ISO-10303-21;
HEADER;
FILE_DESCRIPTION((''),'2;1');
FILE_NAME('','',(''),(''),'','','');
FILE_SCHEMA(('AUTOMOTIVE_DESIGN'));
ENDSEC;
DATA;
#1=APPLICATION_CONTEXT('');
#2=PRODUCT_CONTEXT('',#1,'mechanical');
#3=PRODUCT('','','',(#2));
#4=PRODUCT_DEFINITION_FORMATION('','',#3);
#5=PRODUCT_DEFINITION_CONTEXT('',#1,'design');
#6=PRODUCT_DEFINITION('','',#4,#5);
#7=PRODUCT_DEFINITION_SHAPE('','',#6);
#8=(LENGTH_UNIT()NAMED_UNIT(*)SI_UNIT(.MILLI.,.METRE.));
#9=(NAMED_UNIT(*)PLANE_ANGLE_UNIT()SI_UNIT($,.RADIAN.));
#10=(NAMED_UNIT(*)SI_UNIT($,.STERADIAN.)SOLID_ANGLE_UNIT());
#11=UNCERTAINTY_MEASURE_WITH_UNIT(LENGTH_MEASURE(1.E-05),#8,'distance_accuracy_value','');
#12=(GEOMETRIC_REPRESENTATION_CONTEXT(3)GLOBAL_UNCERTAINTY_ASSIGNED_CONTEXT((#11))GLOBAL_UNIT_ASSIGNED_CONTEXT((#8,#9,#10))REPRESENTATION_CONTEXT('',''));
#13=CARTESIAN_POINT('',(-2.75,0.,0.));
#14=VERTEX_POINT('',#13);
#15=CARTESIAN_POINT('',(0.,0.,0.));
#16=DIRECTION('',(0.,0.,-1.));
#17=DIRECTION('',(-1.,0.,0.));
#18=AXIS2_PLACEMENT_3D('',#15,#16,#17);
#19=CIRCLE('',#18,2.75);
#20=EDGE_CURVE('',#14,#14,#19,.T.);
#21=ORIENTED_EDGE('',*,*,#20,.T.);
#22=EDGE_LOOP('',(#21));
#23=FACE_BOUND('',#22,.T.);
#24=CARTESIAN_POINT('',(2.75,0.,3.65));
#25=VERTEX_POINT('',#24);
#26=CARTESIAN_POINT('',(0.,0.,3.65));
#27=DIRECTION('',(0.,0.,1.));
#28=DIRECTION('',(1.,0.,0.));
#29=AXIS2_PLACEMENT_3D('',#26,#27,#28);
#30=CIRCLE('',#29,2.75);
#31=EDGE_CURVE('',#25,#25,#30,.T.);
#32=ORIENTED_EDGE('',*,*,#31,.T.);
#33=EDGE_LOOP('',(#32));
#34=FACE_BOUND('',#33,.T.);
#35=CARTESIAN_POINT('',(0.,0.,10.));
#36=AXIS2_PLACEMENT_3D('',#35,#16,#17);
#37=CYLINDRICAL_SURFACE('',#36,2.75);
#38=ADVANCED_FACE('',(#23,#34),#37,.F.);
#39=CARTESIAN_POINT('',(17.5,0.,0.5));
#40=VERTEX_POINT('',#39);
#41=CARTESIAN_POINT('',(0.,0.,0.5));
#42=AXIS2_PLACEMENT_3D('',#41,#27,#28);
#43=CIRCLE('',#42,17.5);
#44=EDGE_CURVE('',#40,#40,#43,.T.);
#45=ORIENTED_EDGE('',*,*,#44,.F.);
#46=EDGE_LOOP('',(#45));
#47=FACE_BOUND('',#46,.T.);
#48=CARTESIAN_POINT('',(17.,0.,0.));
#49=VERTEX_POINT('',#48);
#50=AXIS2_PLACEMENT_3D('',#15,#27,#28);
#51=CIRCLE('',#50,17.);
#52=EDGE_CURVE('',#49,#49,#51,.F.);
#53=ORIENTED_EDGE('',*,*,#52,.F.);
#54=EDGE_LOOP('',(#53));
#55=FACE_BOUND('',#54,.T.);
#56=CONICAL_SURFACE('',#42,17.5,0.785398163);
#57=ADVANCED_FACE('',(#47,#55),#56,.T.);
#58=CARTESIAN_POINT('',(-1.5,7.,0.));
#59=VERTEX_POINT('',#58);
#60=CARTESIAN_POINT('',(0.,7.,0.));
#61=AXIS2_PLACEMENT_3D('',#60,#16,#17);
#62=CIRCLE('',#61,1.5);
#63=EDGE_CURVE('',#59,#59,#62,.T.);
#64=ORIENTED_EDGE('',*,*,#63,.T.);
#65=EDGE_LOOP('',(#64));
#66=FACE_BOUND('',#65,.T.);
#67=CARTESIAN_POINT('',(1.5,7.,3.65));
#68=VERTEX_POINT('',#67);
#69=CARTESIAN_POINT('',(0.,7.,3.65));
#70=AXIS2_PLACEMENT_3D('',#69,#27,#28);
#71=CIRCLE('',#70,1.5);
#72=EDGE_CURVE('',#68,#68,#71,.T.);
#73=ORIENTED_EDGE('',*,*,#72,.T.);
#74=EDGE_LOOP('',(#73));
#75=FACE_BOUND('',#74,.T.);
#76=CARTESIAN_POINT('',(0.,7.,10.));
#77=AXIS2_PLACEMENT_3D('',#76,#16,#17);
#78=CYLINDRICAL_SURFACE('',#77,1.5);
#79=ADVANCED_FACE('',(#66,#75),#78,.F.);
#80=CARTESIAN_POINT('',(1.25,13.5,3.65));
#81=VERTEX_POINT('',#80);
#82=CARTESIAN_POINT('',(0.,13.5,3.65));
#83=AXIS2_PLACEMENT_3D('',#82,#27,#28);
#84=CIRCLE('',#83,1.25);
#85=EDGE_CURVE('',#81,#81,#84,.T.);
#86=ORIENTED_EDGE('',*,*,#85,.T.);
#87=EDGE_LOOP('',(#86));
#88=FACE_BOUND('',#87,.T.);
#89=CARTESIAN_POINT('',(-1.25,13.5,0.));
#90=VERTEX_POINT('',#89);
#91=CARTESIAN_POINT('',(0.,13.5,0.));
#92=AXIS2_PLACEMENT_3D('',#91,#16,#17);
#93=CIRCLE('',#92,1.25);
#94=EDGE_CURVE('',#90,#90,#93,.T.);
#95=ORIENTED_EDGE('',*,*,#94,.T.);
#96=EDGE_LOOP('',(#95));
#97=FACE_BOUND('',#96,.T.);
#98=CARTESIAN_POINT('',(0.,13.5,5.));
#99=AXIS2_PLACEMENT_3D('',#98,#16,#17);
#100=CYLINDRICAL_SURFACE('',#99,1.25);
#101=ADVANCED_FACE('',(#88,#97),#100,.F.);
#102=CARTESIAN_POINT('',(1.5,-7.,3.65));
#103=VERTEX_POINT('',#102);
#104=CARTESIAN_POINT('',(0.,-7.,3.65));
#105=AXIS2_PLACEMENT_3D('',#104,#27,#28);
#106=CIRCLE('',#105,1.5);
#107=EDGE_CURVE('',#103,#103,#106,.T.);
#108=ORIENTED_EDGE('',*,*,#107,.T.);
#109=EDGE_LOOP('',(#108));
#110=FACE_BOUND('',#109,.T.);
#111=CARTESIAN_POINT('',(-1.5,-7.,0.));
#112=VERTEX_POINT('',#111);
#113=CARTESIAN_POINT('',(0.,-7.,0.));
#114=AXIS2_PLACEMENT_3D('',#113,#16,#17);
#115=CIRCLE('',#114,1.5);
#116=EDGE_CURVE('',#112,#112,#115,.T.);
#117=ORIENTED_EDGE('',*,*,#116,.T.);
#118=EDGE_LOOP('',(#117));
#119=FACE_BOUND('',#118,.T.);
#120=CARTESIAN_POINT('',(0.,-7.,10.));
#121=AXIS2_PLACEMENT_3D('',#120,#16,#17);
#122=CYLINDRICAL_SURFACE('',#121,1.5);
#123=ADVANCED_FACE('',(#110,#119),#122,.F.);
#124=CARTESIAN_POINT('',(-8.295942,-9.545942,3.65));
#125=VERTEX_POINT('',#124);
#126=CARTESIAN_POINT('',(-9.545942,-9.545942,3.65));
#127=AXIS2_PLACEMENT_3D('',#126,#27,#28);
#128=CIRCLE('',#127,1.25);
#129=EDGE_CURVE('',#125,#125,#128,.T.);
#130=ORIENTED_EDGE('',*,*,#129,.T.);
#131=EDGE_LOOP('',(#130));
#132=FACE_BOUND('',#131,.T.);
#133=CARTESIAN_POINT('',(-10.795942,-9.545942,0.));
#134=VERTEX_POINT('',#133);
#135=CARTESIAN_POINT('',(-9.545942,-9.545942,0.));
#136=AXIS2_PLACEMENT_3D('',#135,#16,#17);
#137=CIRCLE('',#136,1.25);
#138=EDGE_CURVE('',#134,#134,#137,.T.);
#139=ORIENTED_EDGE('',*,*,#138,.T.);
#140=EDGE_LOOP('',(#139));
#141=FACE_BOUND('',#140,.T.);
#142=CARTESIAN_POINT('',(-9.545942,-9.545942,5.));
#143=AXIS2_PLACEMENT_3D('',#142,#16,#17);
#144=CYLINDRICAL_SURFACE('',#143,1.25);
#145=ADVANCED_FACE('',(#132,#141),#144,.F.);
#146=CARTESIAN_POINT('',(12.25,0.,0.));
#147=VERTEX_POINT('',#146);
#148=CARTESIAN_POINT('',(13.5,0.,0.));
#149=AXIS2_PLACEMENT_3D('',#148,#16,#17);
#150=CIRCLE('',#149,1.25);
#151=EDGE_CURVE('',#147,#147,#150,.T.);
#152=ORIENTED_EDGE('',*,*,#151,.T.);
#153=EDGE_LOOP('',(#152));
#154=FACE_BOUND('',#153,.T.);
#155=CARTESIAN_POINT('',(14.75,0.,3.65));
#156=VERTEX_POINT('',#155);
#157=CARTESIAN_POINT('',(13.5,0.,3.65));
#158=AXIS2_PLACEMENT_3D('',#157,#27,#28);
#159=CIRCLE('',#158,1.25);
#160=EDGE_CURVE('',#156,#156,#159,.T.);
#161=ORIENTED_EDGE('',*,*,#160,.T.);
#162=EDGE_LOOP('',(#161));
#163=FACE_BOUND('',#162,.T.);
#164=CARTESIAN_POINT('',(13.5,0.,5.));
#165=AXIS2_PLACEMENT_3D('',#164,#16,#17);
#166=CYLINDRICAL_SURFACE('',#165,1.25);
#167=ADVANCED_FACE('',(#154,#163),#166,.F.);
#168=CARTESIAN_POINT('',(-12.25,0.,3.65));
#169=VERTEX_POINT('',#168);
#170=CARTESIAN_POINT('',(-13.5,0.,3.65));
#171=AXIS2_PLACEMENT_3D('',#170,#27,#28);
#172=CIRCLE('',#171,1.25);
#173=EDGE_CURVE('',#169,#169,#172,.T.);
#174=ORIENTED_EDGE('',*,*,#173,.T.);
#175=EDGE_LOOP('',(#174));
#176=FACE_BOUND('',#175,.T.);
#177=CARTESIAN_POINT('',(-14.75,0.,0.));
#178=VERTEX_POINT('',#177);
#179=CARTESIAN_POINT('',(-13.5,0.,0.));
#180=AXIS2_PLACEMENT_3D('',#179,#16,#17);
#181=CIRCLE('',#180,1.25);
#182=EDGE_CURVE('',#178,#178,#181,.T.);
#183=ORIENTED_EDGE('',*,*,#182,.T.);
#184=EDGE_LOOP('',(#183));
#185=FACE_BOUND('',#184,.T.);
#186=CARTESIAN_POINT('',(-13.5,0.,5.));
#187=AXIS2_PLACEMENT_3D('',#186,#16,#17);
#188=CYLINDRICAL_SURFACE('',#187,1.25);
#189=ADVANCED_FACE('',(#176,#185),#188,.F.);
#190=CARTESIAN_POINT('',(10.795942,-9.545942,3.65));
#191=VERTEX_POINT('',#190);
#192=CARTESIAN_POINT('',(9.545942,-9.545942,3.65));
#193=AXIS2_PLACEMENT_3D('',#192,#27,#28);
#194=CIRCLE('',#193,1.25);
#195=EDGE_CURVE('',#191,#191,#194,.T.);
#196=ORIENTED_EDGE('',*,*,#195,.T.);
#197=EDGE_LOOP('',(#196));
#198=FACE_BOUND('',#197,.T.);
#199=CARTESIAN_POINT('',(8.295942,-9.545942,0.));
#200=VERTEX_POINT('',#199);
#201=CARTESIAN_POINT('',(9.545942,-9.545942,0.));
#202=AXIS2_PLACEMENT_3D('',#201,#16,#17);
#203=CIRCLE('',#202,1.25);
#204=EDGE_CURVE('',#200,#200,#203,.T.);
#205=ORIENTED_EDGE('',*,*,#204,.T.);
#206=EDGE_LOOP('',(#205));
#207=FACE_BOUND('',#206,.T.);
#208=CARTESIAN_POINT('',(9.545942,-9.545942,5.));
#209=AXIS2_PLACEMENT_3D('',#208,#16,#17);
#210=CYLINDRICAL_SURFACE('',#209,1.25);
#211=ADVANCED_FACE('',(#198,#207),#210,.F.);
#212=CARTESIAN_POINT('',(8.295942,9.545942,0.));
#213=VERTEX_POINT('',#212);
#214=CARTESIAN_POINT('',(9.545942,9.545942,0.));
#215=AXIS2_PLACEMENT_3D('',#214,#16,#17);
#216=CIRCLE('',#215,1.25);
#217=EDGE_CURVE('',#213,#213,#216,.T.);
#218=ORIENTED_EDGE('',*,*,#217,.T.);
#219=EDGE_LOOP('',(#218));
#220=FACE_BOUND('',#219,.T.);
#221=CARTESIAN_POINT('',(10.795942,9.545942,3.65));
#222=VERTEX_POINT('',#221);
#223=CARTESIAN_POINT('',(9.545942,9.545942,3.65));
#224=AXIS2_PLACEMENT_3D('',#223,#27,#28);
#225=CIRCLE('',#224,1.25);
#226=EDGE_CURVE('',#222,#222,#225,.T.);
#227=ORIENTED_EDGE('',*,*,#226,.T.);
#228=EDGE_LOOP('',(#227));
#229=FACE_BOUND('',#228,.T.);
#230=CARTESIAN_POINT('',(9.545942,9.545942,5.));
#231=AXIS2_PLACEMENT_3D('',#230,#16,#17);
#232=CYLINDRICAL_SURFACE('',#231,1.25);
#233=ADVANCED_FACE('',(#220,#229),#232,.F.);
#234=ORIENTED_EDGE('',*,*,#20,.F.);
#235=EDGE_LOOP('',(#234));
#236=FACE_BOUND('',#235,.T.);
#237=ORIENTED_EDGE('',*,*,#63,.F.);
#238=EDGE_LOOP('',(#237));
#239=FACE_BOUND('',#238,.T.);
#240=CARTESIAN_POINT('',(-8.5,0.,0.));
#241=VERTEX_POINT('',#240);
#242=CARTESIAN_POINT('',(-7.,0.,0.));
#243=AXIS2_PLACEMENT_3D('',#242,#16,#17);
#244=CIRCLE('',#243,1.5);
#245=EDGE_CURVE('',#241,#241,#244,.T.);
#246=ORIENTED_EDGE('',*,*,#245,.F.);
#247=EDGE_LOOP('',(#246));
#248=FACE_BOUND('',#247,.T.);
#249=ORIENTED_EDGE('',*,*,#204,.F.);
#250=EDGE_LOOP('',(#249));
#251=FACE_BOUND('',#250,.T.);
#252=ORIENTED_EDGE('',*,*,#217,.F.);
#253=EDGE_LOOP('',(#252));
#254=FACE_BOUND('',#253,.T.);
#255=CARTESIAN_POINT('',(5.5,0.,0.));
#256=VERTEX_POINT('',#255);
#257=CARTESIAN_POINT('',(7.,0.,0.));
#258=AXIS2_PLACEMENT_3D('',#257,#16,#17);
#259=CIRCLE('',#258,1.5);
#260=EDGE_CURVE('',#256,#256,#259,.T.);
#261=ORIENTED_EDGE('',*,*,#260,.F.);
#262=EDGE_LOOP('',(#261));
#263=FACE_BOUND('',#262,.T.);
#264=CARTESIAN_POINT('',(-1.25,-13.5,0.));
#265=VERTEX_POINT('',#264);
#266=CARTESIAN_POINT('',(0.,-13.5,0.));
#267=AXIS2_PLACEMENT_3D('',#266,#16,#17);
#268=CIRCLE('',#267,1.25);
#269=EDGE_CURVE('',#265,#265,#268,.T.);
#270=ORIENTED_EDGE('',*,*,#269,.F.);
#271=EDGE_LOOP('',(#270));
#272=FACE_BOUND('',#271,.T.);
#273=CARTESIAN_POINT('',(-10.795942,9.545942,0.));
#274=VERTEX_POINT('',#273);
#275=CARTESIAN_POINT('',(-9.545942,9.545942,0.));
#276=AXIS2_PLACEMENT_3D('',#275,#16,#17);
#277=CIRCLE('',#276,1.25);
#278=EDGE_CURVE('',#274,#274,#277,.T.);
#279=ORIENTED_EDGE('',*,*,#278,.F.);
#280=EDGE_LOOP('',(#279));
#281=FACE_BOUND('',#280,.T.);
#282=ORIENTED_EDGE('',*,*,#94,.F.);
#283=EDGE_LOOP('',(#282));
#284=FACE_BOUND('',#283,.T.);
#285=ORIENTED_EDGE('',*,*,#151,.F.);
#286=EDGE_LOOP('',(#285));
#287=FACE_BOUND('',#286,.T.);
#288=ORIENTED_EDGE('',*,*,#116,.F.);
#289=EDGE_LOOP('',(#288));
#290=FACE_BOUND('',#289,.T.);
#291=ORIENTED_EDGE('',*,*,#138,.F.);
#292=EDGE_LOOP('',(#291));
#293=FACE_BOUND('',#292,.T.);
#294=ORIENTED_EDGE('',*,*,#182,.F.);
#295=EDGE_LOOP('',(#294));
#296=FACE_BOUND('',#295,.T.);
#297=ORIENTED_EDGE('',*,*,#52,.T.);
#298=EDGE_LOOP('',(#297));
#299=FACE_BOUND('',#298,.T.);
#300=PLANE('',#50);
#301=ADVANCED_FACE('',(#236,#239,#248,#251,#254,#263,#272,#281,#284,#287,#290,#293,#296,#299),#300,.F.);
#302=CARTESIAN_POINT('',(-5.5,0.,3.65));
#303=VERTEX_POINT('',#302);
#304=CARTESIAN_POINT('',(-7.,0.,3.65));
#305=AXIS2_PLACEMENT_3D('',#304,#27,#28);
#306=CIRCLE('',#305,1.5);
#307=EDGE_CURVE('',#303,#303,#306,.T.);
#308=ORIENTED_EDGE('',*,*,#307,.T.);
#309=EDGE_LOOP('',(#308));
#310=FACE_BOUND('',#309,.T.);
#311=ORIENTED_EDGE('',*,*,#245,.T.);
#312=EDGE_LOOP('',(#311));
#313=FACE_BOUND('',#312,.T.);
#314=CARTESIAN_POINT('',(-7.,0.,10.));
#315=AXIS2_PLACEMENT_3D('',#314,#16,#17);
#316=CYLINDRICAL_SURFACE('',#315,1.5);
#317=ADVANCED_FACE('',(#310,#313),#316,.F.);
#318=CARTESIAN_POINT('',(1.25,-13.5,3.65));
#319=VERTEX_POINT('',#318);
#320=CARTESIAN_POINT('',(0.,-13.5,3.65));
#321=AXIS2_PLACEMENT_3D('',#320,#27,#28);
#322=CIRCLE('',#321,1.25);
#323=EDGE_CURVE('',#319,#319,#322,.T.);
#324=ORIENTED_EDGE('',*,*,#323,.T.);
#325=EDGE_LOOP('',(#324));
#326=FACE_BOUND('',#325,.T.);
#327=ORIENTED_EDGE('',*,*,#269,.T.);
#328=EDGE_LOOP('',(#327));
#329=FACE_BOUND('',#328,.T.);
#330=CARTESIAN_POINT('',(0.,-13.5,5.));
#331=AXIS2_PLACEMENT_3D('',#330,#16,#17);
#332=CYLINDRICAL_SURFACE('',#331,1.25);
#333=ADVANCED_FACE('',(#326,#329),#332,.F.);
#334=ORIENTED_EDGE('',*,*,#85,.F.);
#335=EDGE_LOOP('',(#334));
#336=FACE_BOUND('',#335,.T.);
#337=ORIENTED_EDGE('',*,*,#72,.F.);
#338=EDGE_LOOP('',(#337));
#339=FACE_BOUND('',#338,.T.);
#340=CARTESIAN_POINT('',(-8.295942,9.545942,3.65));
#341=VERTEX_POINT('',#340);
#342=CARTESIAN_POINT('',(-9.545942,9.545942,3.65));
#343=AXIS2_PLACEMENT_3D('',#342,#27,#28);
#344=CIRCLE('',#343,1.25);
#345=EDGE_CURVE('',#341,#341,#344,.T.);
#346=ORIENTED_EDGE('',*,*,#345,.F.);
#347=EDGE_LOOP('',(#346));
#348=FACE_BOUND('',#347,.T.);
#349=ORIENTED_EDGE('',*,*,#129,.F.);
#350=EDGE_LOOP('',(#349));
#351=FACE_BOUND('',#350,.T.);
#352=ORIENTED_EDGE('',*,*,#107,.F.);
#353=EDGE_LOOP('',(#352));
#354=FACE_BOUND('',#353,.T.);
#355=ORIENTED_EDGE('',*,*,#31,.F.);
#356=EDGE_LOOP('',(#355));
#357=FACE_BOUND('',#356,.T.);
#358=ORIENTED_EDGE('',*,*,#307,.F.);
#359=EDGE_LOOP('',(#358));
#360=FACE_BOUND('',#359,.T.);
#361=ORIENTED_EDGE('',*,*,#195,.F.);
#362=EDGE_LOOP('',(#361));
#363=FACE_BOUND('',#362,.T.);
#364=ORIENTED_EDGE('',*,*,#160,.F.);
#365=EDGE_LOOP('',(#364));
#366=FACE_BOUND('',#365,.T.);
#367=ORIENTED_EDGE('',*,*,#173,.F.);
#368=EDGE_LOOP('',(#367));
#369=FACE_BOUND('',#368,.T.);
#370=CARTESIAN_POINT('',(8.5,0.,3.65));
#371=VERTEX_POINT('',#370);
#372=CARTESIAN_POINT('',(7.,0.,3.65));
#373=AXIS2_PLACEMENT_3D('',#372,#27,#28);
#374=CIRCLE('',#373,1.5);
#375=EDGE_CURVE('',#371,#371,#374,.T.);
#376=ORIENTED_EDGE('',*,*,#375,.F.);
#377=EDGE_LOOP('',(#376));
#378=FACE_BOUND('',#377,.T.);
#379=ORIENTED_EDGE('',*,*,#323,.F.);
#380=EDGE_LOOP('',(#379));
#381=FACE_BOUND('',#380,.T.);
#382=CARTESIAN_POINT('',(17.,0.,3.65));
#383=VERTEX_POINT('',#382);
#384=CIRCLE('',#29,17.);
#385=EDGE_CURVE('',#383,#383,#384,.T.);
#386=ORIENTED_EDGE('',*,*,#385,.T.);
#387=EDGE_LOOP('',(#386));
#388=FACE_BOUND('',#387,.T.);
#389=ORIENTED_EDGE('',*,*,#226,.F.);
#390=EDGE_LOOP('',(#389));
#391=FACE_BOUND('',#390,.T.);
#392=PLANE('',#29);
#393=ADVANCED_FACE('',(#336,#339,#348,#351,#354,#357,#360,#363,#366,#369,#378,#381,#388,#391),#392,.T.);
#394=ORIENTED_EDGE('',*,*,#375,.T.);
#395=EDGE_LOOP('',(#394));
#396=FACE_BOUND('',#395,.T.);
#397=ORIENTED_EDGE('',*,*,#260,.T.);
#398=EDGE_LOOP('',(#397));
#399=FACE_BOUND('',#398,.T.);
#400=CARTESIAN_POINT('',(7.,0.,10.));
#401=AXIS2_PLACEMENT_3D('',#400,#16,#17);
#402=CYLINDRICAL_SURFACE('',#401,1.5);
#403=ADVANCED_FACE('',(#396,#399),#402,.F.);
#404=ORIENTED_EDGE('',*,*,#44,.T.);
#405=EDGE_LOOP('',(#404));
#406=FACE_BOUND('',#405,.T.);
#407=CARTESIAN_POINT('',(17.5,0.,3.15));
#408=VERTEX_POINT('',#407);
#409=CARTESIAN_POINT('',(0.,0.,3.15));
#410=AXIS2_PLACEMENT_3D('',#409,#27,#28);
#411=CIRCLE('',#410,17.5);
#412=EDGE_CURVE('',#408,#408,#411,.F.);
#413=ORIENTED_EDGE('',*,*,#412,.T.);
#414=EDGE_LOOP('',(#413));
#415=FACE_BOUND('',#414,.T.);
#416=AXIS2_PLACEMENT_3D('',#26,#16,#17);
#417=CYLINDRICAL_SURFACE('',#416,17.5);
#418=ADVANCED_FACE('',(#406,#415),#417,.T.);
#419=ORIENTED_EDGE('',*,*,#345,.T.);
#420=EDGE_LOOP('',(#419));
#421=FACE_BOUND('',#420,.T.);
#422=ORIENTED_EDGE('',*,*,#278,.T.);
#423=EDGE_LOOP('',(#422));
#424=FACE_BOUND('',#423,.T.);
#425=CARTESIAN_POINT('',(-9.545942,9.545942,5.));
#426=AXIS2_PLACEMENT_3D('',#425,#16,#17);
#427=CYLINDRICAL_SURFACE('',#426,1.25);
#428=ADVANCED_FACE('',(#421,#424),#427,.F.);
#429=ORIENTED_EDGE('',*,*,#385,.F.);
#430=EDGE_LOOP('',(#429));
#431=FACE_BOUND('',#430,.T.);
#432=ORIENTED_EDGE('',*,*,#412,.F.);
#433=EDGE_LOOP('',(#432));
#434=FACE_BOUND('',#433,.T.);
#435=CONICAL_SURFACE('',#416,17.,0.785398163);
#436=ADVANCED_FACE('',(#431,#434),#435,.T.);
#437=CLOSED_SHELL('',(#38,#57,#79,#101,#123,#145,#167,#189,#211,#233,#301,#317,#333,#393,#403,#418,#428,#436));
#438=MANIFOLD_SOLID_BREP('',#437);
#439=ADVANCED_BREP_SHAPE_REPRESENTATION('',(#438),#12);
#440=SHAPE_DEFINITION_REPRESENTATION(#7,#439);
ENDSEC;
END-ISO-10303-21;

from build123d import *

# Parameters (mm, degrees)
SKETCH_1_R          = 17.5
EXTRUDE_1_DEPTH     = 3.65
SKETCH_3_R          = 1.25
CUT_EXTRUDE_1_DEPTH = 5
CHAMFER_1_SIZE      = 0.5
SKETCH_4_R          = 1.5
CUT_EXTRUDE_2_DEPTH = 10
SKETCH_5_R          = 2.75
CUT_EXTRUDE_3_DEPTH = 10


with BuildPart() as part:
    # 草图1 → 凸台-拉伸1 (new body)
    with BuildSketch(Plane.XY):
        Circle(SKETCH_1_R)
    extrude(amount=EXTRUDE_1_DEPTH)

    # 草图3 → 切除-拉伸1 (cut)
    with BuildSketch(Plane(origin=(0, 0, 0), x_dir=(-1, 0, 0), z_dir=(0, 0, -1))):
        with Locations((0, 13.5)):
            Circle(SKETCH_3_R)
        with Locations((9.545941546, 9.545941546)):
            Circle(SKETCH_3_R)
        with Locations((13.5, 0)):
            Circle(SKETCH_3_R)
        with Locations((9.545941546, -9.545941546)):
            Circle(SKETCH_3_R)
        with Locations((0, -13.5)):
            Circle(SKETCH_3_R)
        with Locations((-9.545941546, -9.545941546)):
            Circle(SKETCH_3_R)
        with Locations((-13.5, 0)):
            Circle(SKETCH_3_R)
        with Locations((-9.545941546, 9.545941546)):
            Circle(SKETCH_3_R)
    extrude(amount=-CUT_EXTRUDE_1_DEPTH, mode=Mode.SUBTRACT)

    # 倒角1
    chamfer_1_edges = [part.edges().sort_by_distance(p)[0] for p in [
        (-17.5, 0, 0),
        (-17.5, 0, 3.65),
    ]]
    chamfer(chamfer_1_edges, length=CHAMFER_1_SIZE)

    # 草图4 → 切除-拉伸2 (cut)
    with BuildSketch(Plane(origin=(0, 0, 0), x_dir=(-1, 0, 0), z_dir=(0, 0, -1))):
        with Locations((0, 7)):
            Circle(SKETCH_4_R)
        with Locations((7, 0)):
            Circle(SKETCH_4_R)
        with Locations((0, -7)):
            Circle(SKETCH_4_R)
        with Locations((-7, 0)):
            Circle(SKETCH_4_R)
    extrude(amount=-CUT_EXTRUDE_2_DEPTH, mode=Mode.SUBTRACT)

    # 草图5 → 切除-拉伸3 (cut)
    with BuildSketch(Plane(origin=(0, 0, 0), x_dir=(-1, 0, 0), z_dir=(0, 0, -1))):
        Circle(SKETCH_5_R)
    extrude(amount=-CUT_EXTRUDE_3_DEPTH, mode=Mode.SUBTRACT)


solid = part.part
